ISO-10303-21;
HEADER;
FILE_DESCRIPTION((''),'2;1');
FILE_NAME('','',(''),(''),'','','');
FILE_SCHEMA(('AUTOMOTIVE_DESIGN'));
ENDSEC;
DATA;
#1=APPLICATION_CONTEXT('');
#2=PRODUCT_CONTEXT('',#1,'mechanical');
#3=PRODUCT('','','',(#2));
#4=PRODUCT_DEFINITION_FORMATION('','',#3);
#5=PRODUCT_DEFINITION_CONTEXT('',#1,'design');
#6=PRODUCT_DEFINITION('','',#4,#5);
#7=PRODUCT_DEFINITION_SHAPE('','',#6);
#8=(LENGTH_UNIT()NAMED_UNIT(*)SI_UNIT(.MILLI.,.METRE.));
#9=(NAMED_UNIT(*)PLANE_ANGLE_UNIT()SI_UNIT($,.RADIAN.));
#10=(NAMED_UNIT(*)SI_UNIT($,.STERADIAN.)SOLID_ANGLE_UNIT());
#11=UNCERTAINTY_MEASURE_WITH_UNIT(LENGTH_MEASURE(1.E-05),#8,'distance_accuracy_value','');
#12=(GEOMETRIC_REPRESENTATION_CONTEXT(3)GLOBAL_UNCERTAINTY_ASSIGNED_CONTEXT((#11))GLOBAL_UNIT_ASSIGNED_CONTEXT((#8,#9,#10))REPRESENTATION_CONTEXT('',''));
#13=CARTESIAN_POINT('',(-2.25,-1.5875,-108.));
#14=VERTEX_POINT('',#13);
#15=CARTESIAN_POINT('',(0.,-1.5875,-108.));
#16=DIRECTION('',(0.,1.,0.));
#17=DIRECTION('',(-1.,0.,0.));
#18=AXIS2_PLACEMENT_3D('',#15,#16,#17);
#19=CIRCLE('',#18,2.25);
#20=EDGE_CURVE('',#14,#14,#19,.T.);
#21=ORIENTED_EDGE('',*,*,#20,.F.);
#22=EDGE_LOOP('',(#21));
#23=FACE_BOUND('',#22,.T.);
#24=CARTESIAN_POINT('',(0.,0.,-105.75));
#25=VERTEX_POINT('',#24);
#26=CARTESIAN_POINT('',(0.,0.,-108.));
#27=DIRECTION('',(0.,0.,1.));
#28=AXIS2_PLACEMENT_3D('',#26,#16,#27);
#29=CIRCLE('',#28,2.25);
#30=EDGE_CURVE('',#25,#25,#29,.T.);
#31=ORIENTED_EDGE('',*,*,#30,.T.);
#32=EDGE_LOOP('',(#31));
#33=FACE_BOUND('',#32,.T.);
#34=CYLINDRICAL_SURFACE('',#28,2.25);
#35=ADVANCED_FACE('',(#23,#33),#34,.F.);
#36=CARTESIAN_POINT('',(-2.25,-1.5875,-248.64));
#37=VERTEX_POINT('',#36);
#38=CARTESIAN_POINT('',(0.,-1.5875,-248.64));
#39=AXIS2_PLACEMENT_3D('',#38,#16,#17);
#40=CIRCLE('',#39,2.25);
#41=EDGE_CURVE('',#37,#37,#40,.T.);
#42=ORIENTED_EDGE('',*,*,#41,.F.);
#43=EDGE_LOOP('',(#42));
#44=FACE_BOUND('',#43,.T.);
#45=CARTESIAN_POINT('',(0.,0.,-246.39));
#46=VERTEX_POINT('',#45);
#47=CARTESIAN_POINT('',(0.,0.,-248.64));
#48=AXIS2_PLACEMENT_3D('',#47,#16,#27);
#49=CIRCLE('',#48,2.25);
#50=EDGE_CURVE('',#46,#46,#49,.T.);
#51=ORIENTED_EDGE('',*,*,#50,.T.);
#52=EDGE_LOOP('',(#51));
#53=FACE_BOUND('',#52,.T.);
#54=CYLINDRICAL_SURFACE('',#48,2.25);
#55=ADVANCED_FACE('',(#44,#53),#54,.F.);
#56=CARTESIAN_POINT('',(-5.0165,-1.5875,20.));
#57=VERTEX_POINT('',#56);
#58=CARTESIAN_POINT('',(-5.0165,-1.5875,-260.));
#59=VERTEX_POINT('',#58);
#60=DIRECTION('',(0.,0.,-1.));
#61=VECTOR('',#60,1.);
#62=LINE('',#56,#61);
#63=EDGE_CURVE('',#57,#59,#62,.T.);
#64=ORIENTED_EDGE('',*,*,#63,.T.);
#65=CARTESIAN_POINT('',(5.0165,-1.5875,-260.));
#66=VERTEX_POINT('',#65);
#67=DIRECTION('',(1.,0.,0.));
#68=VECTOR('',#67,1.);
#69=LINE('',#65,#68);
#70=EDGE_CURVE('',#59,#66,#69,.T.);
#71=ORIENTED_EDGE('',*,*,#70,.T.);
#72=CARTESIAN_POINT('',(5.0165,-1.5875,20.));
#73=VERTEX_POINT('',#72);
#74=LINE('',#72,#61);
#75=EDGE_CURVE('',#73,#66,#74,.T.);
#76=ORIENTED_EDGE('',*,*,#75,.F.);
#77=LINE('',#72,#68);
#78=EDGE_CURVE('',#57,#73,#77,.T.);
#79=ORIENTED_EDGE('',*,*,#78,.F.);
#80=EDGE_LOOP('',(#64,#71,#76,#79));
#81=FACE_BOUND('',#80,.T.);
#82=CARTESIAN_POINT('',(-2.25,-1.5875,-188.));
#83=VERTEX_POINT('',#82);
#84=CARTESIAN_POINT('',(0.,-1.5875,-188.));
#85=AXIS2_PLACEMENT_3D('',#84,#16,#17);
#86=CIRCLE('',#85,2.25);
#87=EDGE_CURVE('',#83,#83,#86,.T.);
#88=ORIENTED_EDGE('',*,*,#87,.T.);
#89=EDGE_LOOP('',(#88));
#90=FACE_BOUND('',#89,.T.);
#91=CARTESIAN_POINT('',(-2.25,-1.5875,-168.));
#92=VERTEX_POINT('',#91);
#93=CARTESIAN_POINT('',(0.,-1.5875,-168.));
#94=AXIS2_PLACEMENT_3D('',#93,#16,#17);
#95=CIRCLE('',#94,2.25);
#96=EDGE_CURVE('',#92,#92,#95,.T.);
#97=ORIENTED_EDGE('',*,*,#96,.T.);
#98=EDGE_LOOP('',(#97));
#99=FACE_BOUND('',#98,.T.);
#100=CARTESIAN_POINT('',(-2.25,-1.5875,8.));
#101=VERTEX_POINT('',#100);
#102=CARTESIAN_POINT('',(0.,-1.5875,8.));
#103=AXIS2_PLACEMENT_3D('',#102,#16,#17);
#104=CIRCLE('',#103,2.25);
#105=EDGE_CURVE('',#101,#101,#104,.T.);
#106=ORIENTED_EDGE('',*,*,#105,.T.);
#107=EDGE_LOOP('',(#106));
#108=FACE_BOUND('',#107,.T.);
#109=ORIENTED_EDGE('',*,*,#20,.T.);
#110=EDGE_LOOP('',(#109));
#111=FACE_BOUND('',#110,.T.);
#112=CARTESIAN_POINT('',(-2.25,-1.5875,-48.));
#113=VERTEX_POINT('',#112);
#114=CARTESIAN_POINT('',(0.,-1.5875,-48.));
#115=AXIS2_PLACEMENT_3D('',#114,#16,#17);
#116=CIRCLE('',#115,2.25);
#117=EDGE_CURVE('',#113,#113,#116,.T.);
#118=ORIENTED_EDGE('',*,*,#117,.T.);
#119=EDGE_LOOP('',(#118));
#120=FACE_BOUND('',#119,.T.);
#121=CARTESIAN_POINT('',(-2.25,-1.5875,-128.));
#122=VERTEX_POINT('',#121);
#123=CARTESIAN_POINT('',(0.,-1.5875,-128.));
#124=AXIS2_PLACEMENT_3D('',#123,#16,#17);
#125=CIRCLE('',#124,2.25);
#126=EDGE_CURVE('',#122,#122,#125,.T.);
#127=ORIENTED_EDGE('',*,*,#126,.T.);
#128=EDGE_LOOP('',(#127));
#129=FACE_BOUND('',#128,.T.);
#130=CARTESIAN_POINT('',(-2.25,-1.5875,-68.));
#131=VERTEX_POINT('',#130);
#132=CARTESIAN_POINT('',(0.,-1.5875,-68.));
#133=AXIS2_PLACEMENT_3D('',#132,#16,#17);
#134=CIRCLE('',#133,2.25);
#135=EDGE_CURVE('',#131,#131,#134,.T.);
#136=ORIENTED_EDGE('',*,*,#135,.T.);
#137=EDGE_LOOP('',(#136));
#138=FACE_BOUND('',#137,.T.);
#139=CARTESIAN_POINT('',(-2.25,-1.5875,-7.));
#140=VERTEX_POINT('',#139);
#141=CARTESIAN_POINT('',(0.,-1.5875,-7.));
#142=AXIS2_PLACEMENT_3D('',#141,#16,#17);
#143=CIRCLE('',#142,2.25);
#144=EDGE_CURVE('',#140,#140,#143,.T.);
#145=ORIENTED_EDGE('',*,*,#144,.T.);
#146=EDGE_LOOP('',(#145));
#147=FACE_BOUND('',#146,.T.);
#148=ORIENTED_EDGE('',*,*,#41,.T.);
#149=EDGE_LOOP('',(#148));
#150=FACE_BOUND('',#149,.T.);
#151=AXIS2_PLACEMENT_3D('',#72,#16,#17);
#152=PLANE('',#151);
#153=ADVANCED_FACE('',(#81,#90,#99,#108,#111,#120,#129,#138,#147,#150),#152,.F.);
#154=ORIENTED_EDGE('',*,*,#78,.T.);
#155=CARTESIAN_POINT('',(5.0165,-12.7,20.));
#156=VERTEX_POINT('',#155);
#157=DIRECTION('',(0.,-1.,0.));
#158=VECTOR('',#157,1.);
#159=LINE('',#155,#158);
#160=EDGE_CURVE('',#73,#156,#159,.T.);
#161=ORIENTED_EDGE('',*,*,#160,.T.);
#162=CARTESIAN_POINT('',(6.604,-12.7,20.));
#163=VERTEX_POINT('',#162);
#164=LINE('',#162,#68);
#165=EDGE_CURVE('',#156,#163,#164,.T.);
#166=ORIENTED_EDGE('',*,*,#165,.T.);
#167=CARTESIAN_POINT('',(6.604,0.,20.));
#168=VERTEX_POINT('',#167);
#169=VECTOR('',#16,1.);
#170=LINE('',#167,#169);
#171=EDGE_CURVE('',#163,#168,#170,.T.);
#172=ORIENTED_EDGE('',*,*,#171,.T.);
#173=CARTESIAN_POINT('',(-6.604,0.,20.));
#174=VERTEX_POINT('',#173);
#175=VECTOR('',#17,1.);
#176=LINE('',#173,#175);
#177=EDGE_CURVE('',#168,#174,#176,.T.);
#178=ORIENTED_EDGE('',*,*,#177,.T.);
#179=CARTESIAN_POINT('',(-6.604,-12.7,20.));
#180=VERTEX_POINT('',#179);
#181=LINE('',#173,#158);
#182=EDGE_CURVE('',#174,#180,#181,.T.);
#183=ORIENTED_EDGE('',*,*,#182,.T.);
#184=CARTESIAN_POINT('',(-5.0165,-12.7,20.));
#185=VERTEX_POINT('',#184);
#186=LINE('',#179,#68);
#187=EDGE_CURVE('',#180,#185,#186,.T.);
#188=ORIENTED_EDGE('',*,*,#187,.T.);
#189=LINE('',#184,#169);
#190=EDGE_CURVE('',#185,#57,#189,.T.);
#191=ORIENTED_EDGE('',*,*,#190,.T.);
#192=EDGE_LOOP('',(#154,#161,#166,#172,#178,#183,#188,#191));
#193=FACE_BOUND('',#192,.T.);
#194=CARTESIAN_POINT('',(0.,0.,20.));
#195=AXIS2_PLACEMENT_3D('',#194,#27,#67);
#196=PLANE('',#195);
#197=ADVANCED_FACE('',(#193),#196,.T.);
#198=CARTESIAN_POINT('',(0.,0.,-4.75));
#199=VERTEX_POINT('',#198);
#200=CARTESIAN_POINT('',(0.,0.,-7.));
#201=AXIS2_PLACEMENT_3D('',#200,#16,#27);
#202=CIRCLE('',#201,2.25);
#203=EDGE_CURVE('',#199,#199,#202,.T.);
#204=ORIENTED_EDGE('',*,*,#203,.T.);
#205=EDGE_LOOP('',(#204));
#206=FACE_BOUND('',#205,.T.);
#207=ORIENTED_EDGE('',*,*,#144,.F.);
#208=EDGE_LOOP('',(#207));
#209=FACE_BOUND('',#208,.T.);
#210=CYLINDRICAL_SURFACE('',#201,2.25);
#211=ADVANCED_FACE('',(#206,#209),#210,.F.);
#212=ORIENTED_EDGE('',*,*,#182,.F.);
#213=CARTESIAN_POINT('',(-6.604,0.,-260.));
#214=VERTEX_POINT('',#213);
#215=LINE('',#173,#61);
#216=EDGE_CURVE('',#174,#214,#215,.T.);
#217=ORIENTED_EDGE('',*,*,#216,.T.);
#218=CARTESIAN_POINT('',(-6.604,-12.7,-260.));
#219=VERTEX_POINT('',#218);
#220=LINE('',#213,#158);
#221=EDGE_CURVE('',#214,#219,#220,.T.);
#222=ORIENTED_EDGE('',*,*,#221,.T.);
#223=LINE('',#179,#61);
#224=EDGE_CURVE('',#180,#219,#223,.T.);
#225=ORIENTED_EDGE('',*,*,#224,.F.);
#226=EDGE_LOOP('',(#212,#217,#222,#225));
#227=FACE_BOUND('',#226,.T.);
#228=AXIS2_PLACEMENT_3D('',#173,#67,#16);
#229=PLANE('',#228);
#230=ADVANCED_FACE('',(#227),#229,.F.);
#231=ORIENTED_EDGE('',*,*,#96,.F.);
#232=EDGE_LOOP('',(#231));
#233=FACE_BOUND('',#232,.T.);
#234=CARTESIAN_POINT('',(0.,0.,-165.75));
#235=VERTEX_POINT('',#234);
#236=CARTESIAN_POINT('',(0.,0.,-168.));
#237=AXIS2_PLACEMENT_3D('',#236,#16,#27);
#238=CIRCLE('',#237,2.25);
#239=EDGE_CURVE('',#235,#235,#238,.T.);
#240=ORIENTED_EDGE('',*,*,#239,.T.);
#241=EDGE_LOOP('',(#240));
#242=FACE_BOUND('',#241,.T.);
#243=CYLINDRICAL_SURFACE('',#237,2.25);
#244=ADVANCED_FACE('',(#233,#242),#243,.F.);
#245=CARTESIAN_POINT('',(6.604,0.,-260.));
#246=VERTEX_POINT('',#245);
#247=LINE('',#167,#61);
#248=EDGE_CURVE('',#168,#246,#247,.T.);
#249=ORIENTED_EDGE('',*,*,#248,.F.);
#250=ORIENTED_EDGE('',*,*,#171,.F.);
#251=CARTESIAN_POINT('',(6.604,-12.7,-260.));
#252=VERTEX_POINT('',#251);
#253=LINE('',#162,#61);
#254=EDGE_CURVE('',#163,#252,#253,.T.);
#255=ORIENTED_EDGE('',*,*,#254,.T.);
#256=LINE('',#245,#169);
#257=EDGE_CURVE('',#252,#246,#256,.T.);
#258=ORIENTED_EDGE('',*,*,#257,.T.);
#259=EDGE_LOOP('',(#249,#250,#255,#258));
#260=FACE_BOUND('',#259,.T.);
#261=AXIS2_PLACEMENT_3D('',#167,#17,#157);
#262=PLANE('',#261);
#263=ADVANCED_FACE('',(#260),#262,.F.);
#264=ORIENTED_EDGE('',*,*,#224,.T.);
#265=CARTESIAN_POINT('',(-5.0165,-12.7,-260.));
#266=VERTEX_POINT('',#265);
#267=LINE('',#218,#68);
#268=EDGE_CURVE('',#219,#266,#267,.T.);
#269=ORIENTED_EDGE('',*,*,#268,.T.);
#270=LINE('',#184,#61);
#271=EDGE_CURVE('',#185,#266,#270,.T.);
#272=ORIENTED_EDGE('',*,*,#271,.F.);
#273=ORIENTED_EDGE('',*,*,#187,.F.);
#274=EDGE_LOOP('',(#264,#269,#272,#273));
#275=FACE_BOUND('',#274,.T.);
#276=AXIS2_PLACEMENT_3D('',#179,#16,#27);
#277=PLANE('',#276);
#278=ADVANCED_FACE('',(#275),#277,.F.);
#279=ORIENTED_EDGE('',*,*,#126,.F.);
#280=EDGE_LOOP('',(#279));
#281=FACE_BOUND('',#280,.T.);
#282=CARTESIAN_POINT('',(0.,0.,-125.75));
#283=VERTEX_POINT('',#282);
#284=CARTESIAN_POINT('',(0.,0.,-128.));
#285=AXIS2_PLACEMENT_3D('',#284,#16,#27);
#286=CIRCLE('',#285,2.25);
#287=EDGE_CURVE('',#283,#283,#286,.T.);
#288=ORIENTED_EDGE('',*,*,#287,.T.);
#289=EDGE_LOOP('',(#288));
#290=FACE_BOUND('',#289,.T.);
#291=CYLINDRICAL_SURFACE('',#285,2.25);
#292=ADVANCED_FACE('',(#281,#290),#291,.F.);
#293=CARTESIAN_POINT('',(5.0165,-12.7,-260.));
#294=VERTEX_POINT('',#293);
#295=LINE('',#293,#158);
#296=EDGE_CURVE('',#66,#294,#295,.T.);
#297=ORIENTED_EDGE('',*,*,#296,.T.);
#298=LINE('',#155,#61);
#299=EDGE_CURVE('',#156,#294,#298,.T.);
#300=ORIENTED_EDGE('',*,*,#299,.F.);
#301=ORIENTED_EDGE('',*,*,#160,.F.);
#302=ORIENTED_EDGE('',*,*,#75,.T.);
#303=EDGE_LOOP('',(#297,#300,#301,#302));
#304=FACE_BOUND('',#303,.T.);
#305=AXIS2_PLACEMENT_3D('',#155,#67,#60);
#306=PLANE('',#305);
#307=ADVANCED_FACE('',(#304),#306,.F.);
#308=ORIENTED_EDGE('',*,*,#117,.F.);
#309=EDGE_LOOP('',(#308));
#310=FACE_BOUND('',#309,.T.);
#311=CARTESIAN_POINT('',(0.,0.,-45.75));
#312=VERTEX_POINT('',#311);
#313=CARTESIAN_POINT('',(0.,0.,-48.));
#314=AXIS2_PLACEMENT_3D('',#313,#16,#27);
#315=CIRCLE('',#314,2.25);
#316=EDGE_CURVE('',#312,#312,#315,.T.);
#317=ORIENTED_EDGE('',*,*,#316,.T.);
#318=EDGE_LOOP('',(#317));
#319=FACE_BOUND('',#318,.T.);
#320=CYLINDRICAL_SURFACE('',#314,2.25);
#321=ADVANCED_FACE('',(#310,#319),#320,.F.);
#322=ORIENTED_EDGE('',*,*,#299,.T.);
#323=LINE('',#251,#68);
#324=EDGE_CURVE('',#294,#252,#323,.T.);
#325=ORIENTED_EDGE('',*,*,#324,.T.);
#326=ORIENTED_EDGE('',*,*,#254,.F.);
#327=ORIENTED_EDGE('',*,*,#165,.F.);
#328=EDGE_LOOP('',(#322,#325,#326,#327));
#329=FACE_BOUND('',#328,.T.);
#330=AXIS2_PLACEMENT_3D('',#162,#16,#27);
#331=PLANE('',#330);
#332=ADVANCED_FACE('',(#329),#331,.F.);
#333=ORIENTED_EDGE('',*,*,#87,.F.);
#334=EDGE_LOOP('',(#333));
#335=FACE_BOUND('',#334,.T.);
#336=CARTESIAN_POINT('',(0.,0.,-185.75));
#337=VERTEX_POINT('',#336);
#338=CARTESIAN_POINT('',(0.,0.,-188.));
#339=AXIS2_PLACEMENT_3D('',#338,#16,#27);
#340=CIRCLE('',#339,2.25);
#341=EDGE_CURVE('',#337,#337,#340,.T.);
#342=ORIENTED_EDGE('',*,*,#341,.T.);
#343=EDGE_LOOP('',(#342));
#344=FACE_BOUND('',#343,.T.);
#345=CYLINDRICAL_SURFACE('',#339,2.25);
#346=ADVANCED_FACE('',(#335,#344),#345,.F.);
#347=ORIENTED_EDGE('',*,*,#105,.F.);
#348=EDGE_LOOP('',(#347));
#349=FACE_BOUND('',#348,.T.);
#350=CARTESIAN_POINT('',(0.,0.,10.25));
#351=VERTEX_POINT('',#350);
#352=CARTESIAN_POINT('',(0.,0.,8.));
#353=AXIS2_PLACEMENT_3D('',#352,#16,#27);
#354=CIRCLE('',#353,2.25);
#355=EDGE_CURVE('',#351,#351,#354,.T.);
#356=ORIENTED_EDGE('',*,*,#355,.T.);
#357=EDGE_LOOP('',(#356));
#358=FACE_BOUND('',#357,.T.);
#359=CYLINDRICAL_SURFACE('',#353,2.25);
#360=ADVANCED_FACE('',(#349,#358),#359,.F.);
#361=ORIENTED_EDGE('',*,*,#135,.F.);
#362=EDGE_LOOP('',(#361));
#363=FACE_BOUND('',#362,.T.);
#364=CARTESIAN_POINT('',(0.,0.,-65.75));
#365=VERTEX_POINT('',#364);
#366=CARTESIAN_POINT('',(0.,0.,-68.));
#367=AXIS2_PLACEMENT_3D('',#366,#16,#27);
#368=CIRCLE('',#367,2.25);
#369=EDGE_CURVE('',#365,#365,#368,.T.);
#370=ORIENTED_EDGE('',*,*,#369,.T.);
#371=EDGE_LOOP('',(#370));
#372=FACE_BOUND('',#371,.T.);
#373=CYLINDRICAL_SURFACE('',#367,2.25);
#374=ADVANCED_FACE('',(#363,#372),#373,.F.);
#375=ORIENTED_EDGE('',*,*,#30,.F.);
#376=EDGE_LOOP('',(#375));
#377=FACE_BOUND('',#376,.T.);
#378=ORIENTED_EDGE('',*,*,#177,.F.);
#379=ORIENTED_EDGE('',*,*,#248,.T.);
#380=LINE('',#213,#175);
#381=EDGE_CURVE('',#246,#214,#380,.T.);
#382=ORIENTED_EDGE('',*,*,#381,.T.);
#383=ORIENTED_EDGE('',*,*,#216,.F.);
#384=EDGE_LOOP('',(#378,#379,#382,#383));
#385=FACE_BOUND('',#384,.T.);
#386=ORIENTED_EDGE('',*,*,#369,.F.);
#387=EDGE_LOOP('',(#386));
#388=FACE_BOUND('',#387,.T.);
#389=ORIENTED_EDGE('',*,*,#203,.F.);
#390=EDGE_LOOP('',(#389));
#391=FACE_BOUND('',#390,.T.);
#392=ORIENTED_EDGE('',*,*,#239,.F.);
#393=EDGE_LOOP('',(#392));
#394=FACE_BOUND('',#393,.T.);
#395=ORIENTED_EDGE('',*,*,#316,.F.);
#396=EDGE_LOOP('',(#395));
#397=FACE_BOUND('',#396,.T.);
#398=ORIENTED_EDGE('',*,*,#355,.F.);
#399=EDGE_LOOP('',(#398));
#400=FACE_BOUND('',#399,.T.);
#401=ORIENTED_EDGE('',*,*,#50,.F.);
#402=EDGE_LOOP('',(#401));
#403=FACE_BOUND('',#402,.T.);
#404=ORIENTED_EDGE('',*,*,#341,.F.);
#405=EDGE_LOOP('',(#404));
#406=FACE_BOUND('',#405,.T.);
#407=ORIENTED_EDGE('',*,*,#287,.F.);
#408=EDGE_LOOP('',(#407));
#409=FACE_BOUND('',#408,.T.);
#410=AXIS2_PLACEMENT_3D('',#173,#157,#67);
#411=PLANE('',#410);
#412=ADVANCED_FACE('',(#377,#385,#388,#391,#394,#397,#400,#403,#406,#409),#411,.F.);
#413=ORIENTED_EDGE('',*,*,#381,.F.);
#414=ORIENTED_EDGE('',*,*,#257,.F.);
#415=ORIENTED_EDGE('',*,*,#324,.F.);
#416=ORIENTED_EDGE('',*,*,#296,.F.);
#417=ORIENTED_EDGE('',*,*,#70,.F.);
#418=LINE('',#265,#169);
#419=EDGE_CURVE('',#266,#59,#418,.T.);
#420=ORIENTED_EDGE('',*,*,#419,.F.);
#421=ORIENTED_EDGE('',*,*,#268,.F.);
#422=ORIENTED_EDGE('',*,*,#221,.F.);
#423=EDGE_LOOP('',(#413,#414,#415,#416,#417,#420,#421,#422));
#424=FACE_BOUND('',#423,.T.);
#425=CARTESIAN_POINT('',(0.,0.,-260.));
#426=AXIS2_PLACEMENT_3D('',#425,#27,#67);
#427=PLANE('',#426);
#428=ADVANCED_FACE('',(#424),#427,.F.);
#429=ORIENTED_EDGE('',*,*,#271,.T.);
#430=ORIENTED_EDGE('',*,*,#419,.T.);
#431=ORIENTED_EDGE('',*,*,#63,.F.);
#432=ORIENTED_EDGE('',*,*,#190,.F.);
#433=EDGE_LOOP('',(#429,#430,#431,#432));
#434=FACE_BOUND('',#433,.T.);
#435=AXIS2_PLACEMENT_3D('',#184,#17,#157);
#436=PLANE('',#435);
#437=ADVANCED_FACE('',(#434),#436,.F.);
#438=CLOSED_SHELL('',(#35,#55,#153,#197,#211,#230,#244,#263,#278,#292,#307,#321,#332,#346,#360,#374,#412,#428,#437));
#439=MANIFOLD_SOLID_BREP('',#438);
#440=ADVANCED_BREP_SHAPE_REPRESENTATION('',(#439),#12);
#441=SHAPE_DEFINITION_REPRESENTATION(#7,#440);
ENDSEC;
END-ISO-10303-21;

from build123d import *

# Parameters (mm, degrees)
BOSS_EXTRUDE1_DEPTH      = 20
BOSS_EXTRUDE1_DEPTH_BACK = 260
M4_CLEARANCE_HOLE1_D     = 4.5
M4_CLEARANCE_HOLE2_D     = 4.5


with BuildPart() as part:
    # Sketch1 → Boss-Extrude1 (new body, two sides)
    with BuildSketch(Plane.XY) as boss_extrude1_sk:
        Polygon((-6.604, 0), (6.604, 0), (6.604, -12.7), (5.0165, -12.7), (5.0165, -1.5875), (-5.0165, -1.5875), (-5.0165, -12.7), (-6.604, -12.7), align=None)
    extrude(amount=BOSS_EXTRUDE1_DEPTH)
    extrude(boss_extrude1_sk.sketch, amount=-BOSS_EXTRUDE1_DEPTH_BACK)

    # M4 Clearance Hole1 (through all)
    with Locations(Plane(origin=(0, 0, 0), x_dir=(1, 0, 0), z_dir=(0, 1, 0))):
        with Locations((0, 7), (0, 248.64)):
            Hole(M4_CLEARANCE_HOLE1_D / 2)

    # M4 Clearance Hole2 (through all)
    with Locations(Plane(origin=(0, 0, 0), x_dir=(1, 0, 0), z_dir=(0, 1, 0))):
        with Locations((0, 108), (0, 128), (0, -8), (0, 188), (0, 168), (0, 68), (0, 48)):
            Hole(M4_CLEARANCE_HOLE2_D / 2)


solid = part.part
